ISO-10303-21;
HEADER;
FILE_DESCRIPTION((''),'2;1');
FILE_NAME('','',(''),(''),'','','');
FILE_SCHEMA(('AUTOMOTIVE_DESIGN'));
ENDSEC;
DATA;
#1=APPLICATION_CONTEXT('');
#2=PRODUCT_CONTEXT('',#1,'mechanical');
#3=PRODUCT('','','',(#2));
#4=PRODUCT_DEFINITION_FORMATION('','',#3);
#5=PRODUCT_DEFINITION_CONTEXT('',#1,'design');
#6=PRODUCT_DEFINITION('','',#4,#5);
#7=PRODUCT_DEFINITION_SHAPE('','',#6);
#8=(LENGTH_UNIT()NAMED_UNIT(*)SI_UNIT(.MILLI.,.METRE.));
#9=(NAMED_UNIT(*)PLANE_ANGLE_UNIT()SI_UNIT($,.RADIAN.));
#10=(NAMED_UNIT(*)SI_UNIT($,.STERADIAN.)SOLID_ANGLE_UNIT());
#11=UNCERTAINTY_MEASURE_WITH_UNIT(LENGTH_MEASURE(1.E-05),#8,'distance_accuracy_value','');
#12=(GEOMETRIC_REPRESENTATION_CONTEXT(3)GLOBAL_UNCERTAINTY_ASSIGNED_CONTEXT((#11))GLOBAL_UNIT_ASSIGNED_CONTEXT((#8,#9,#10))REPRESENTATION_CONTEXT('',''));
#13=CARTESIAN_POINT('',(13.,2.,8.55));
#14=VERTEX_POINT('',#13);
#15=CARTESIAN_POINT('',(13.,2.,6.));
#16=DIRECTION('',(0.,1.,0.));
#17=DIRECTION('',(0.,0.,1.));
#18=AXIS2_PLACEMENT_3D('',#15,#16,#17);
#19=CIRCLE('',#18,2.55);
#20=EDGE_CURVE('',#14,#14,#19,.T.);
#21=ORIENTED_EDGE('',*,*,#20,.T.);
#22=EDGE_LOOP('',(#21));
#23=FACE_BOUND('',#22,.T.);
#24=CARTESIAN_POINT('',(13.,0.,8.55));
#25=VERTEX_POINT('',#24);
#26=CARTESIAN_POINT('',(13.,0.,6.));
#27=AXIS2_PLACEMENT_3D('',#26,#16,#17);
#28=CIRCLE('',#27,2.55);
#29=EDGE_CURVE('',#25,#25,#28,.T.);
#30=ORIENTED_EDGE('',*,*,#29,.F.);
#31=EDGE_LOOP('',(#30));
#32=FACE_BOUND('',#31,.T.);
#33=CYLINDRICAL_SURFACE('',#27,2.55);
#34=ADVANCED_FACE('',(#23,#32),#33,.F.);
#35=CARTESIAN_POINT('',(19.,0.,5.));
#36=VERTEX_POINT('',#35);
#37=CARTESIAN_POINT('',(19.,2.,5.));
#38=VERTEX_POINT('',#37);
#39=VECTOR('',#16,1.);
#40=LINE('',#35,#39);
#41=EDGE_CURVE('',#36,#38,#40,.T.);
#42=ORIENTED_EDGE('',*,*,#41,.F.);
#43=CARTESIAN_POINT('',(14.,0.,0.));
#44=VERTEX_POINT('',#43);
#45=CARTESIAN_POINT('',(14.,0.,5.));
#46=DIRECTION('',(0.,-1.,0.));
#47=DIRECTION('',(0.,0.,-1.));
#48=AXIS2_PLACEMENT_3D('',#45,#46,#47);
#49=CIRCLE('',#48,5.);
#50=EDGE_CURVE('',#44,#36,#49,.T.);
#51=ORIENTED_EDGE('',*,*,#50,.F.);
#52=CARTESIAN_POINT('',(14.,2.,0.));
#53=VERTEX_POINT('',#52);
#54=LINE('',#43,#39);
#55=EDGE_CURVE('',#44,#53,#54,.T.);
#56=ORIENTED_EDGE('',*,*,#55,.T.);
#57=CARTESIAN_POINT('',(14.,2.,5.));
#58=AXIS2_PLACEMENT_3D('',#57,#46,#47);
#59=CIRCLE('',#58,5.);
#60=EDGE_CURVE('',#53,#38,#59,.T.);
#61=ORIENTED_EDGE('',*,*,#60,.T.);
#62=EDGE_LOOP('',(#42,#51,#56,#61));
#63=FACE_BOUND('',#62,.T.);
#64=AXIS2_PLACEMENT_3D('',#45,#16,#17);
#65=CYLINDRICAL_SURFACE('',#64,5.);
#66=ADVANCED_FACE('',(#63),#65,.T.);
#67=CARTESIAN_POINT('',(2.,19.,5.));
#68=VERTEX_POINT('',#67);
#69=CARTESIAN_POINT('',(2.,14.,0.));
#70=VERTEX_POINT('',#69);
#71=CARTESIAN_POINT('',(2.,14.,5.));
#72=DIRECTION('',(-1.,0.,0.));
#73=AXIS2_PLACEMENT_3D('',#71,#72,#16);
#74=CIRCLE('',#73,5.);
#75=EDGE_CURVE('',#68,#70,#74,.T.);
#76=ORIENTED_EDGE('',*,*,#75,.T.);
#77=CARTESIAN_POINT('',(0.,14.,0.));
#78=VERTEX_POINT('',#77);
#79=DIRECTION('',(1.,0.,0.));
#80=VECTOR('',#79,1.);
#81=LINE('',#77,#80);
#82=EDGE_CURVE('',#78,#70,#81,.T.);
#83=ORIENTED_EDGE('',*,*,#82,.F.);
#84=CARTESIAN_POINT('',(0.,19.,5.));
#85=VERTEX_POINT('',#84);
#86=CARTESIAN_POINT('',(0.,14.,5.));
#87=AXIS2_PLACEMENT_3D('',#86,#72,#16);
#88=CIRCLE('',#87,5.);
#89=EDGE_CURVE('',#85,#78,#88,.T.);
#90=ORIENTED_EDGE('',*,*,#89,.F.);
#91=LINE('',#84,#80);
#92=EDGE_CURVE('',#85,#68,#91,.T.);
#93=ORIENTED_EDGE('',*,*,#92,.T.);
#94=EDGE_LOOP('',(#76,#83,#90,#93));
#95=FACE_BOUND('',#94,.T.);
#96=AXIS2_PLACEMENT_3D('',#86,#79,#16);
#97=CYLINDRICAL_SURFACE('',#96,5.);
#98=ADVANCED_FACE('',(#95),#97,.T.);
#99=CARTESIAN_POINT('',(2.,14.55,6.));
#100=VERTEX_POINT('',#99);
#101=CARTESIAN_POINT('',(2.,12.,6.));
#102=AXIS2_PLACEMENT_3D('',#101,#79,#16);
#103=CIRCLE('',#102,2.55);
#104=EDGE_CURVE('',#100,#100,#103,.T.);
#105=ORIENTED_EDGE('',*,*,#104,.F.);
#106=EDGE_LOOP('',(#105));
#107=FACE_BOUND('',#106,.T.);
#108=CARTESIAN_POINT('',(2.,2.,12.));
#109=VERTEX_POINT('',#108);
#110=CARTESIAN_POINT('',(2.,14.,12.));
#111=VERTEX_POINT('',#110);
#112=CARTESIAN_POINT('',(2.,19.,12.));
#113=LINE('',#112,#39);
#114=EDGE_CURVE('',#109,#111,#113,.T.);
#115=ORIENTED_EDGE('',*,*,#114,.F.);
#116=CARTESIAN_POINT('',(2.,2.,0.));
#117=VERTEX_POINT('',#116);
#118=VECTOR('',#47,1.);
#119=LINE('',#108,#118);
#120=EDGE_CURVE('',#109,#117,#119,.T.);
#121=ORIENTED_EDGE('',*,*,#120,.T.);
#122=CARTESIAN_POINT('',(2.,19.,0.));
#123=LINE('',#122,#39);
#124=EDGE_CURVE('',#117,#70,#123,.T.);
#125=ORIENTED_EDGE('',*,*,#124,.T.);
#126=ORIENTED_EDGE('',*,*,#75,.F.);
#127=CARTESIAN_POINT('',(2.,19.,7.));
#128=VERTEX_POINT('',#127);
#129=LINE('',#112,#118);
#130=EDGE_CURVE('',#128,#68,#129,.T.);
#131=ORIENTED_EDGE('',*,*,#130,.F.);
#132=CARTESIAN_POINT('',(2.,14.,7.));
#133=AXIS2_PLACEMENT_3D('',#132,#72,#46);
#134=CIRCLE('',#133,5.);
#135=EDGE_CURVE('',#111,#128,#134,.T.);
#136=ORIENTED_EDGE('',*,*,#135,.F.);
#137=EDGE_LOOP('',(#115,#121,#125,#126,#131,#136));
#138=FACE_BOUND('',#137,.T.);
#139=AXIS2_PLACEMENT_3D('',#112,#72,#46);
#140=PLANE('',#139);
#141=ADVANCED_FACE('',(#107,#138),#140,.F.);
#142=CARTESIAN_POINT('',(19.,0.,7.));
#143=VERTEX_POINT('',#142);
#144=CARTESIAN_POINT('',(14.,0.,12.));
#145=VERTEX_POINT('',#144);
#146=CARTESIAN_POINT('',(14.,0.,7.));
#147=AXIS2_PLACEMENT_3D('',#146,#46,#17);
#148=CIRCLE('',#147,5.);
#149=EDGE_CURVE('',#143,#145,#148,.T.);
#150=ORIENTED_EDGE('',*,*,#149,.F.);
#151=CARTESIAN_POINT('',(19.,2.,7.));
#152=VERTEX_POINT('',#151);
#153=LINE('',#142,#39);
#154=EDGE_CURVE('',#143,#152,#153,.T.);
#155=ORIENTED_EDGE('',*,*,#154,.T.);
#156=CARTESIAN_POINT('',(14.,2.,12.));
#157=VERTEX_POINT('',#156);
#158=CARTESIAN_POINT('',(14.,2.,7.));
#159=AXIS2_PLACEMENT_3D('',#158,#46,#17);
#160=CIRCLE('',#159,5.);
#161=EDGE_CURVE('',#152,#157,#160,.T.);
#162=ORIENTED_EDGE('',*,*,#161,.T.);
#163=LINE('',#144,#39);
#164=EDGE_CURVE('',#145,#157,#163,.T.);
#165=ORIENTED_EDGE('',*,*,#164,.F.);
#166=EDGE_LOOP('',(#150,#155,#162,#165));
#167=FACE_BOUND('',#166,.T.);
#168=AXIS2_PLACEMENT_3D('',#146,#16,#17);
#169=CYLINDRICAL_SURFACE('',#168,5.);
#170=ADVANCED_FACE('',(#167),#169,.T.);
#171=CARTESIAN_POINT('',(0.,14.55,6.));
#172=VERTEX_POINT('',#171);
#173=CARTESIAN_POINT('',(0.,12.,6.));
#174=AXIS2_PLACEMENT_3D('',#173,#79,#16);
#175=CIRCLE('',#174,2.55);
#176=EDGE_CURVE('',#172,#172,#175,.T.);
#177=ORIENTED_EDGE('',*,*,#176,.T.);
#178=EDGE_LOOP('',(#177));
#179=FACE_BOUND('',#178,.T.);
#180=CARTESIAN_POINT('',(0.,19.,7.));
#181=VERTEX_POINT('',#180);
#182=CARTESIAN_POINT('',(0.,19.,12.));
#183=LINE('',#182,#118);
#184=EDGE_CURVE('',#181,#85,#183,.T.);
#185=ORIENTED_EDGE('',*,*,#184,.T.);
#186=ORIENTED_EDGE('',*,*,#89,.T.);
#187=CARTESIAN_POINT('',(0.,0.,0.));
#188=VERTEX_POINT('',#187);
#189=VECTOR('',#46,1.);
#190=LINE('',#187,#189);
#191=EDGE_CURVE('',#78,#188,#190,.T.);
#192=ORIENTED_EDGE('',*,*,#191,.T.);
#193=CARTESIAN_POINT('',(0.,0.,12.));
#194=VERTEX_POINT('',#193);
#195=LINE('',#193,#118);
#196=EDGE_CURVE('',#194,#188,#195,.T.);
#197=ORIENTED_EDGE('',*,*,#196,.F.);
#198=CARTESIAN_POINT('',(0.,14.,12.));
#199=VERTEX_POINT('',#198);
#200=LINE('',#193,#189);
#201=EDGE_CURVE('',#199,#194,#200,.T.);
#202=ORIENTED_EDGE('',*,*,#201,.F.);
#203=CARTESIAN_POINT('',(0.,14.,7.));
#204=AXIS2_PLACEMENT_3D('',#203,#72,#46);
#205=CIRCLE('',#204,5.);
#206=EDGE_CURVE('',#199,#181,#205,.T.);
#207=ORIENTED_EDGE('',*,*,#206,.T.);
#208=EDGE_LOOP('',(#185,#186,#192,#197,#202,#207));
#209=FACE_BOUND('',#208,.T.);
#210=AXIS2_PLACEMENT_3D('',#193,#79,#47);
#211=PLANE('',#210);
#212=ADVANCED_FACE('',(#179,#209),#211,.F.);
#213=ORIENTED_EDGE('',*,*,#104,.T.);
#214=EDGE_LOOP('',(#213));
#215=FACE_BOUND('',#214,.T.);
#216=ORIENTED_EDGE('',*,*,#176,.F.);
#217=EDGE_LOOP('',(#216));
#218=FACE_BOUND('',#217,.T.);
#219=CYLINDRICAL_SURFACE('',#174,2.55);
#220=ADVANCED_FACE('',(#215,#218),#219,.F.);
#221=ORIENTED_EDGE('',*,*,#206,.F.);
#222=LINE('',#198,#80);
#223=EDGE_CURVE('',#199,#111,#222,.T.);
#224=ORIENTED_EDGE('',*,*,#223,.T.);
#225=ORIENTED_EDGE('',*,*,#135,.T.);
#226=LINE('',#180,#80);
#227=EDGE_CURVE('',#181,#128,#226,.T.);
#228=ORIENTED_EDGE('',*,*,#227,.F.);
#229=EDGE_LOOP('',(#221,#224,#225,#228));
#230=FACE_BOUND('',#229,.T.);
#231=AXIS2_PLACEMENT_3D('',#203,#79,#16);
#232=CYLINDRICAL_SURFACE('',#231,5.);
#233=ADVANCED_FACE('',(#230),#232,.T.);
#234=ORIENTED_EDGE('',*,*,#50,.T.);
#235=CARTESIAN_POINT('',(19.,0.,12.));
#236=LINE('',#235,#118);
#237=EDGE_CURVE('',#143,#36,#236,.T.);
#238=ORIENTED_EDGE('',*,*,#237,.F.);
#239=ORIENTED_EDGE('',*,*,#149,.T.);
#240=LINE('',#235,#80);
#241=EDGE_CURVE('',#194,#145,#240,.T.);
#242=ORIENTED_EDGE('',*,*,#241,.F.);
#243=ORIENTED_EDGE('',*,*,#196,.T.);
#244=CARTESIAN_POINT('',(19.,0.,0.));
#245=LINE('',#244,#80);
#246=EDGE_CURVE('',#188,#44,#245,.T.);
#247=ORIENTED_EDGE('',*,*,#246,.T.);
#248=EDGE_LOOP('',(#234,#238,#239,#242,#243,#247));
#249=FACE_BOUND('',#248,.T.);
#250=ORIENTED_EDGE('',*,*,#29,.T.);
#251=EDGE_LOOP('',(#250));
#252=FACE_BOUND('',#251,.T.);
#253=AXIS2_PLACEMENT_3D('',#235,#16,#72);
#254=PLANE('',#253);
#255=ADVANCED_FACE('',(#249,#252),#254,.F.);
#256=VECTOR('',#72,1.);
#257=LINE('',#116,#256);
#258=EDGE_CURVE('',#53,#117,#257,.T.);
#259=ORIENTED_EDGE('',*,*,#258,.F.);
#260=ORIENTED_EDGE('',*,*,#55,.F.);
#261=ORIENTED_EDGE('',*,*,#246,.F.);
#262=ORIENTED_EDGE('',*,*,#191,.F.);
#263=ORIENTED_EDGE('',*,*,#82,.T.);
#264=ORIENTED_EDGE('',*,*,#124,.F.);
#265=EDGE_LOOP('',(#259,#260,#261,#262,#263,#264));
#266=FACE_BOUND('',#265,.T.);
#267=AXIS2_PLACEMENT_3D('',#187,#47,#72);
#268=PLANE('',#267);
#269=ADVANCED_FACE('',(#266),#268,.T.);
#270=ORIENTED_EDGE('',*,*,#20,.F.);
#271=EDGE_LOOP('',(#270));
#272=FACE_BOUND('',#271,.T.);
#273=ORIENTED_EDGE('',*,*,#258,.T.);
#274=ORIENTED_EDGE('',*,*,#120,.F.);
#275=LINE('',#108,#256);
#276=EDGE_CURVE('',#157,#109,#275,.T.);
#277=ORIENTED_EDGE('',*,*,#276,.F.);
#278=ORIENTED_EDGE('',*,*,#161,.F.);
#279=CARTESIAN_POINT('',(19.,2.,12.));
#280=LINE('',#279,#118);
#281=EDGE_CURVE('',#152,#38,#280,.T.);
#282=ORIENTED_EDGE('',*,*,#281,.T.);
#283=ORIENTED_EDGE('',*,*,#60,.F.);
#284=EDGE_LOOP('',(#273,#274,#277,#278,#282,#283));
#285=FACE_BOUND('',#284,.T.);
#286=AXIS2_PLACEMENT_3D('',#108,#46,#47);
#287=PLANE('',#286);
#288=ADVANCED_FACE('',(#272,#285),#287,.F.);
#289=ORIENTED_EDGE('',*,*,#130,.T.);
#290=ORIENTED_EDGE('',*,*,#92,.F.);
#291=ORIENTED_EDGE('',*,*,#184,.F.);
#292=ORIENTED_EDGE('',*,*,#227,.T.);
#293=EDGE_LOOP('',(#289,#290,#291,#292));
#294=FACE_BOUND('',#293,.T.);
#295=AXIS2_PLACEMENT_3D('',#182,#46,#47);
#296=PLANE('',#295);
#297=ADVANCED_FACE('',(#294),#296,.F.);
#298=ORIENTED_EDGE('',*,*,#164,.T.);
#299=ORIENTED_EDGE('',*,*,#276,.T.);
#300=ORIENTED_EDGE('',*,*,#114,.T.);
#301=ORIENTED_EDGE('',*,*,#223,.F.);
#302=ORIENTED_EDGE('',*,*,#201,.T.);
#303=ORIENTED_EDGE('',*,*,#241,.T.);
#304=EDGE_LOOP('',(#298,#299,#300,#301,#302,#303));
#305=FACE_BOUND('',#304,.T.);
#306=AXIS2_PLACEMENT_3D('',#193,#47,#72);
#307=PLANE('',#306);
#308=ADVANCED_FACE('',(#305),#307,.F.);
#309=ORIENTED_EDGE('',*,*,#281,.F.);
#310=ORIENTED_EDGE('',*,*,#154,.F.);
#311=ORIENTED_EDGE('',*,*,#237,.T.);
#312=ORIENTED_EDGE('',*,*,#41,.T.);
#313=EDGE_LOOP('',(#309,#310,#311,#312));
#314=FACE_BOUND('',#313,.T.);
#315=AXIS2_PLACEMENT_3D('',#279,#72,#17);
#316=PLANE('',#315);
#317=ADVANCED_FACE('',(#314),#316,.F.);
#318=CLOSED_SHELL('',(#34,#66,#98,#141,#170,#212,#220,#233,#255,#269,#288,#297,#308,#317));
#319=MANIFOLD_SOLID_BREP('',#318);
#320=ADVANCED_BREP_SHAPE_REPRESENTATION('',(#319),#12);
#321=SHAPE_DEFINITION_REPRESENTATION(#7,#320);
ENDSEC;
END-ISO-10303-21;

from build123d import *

# Parameters (mm, degrees)
EXTRUDE_1_DEPTH     = 12
SKETCH_2_R          = 2.55
CUT_EXTRUDE_1_DEPTH = 3
SKETCH_3_R          = 2.55
CUT_EXTRUDE_2_DEPTH = 3


with BuildPart() as part:
    # Эскиз1 → Бобышка-Вытянуть1 (new body)
    with BuildSketch(Plane.XY):
        Polygon((0, 0), (0, 19), (2, 19), (2, 2), (19, 2), (19, 0), align=None)
    extrude(amount=EXTRUDE_1_DEPTH)

    # Эскиз2 → Вырез-Вытянуть1 (cut, through all)
    with BuildSketch(Plane(origin=(2, 0, 0), x_dir=(0, 0, -1), z_dir=(1, 0, 0))):
        with Locations((-6, 12)):
            Circle(SKETCH_2_R)
        with BuildLine():
            Line((-12, 14), (-12, 19))
            Line((-12, 19), (-7, 19))
            ThreePointArc((-7, 19), (-10.535533906, 17.535533906), (-12, 14))
        make_face()
        with BuildLine():
            Line((0, 14), (0, 19))
            Line((0, 19), (-5, 19))
            ThreePointArc((-5, 19), (-1.464466094, 17.535533906), (0, 14))
        make_face()
    extrude(amount=-CUT_EXTRUDE_1_DEPTH, mode=Mode.SUBTRACT)

    # Эскиз3 → Вырез-Вытянуть2 (cut, through all)
    with BuildSketch(Plane(origin=(0, 2, 0), x_dir=(1, 0, 0), z_dir=(0, 1, 0))):
        with Locations((13, -6)):
            Circle(SKETCH_3_R)
        with BuildLine():
            Line((14, 0), (19, 0))
            Line((19, 0), (19, -5))
            ThreePointArc((19, -5), (17.535533906, -1.464466094), (14, 0))
        make_face()
        with BuildLine():
            Line((14, -12), (19, -12))
            Line((19, -12), (19, -7))
            ThreePointArc((19, -7), (17.535533906, -10.535533906), (14, -12))
        make_face()
    extrude(amount=-CUT_EXTRUDE_2_DEPTH, mode=Mode.SUBTRACT)


solid = part.part
